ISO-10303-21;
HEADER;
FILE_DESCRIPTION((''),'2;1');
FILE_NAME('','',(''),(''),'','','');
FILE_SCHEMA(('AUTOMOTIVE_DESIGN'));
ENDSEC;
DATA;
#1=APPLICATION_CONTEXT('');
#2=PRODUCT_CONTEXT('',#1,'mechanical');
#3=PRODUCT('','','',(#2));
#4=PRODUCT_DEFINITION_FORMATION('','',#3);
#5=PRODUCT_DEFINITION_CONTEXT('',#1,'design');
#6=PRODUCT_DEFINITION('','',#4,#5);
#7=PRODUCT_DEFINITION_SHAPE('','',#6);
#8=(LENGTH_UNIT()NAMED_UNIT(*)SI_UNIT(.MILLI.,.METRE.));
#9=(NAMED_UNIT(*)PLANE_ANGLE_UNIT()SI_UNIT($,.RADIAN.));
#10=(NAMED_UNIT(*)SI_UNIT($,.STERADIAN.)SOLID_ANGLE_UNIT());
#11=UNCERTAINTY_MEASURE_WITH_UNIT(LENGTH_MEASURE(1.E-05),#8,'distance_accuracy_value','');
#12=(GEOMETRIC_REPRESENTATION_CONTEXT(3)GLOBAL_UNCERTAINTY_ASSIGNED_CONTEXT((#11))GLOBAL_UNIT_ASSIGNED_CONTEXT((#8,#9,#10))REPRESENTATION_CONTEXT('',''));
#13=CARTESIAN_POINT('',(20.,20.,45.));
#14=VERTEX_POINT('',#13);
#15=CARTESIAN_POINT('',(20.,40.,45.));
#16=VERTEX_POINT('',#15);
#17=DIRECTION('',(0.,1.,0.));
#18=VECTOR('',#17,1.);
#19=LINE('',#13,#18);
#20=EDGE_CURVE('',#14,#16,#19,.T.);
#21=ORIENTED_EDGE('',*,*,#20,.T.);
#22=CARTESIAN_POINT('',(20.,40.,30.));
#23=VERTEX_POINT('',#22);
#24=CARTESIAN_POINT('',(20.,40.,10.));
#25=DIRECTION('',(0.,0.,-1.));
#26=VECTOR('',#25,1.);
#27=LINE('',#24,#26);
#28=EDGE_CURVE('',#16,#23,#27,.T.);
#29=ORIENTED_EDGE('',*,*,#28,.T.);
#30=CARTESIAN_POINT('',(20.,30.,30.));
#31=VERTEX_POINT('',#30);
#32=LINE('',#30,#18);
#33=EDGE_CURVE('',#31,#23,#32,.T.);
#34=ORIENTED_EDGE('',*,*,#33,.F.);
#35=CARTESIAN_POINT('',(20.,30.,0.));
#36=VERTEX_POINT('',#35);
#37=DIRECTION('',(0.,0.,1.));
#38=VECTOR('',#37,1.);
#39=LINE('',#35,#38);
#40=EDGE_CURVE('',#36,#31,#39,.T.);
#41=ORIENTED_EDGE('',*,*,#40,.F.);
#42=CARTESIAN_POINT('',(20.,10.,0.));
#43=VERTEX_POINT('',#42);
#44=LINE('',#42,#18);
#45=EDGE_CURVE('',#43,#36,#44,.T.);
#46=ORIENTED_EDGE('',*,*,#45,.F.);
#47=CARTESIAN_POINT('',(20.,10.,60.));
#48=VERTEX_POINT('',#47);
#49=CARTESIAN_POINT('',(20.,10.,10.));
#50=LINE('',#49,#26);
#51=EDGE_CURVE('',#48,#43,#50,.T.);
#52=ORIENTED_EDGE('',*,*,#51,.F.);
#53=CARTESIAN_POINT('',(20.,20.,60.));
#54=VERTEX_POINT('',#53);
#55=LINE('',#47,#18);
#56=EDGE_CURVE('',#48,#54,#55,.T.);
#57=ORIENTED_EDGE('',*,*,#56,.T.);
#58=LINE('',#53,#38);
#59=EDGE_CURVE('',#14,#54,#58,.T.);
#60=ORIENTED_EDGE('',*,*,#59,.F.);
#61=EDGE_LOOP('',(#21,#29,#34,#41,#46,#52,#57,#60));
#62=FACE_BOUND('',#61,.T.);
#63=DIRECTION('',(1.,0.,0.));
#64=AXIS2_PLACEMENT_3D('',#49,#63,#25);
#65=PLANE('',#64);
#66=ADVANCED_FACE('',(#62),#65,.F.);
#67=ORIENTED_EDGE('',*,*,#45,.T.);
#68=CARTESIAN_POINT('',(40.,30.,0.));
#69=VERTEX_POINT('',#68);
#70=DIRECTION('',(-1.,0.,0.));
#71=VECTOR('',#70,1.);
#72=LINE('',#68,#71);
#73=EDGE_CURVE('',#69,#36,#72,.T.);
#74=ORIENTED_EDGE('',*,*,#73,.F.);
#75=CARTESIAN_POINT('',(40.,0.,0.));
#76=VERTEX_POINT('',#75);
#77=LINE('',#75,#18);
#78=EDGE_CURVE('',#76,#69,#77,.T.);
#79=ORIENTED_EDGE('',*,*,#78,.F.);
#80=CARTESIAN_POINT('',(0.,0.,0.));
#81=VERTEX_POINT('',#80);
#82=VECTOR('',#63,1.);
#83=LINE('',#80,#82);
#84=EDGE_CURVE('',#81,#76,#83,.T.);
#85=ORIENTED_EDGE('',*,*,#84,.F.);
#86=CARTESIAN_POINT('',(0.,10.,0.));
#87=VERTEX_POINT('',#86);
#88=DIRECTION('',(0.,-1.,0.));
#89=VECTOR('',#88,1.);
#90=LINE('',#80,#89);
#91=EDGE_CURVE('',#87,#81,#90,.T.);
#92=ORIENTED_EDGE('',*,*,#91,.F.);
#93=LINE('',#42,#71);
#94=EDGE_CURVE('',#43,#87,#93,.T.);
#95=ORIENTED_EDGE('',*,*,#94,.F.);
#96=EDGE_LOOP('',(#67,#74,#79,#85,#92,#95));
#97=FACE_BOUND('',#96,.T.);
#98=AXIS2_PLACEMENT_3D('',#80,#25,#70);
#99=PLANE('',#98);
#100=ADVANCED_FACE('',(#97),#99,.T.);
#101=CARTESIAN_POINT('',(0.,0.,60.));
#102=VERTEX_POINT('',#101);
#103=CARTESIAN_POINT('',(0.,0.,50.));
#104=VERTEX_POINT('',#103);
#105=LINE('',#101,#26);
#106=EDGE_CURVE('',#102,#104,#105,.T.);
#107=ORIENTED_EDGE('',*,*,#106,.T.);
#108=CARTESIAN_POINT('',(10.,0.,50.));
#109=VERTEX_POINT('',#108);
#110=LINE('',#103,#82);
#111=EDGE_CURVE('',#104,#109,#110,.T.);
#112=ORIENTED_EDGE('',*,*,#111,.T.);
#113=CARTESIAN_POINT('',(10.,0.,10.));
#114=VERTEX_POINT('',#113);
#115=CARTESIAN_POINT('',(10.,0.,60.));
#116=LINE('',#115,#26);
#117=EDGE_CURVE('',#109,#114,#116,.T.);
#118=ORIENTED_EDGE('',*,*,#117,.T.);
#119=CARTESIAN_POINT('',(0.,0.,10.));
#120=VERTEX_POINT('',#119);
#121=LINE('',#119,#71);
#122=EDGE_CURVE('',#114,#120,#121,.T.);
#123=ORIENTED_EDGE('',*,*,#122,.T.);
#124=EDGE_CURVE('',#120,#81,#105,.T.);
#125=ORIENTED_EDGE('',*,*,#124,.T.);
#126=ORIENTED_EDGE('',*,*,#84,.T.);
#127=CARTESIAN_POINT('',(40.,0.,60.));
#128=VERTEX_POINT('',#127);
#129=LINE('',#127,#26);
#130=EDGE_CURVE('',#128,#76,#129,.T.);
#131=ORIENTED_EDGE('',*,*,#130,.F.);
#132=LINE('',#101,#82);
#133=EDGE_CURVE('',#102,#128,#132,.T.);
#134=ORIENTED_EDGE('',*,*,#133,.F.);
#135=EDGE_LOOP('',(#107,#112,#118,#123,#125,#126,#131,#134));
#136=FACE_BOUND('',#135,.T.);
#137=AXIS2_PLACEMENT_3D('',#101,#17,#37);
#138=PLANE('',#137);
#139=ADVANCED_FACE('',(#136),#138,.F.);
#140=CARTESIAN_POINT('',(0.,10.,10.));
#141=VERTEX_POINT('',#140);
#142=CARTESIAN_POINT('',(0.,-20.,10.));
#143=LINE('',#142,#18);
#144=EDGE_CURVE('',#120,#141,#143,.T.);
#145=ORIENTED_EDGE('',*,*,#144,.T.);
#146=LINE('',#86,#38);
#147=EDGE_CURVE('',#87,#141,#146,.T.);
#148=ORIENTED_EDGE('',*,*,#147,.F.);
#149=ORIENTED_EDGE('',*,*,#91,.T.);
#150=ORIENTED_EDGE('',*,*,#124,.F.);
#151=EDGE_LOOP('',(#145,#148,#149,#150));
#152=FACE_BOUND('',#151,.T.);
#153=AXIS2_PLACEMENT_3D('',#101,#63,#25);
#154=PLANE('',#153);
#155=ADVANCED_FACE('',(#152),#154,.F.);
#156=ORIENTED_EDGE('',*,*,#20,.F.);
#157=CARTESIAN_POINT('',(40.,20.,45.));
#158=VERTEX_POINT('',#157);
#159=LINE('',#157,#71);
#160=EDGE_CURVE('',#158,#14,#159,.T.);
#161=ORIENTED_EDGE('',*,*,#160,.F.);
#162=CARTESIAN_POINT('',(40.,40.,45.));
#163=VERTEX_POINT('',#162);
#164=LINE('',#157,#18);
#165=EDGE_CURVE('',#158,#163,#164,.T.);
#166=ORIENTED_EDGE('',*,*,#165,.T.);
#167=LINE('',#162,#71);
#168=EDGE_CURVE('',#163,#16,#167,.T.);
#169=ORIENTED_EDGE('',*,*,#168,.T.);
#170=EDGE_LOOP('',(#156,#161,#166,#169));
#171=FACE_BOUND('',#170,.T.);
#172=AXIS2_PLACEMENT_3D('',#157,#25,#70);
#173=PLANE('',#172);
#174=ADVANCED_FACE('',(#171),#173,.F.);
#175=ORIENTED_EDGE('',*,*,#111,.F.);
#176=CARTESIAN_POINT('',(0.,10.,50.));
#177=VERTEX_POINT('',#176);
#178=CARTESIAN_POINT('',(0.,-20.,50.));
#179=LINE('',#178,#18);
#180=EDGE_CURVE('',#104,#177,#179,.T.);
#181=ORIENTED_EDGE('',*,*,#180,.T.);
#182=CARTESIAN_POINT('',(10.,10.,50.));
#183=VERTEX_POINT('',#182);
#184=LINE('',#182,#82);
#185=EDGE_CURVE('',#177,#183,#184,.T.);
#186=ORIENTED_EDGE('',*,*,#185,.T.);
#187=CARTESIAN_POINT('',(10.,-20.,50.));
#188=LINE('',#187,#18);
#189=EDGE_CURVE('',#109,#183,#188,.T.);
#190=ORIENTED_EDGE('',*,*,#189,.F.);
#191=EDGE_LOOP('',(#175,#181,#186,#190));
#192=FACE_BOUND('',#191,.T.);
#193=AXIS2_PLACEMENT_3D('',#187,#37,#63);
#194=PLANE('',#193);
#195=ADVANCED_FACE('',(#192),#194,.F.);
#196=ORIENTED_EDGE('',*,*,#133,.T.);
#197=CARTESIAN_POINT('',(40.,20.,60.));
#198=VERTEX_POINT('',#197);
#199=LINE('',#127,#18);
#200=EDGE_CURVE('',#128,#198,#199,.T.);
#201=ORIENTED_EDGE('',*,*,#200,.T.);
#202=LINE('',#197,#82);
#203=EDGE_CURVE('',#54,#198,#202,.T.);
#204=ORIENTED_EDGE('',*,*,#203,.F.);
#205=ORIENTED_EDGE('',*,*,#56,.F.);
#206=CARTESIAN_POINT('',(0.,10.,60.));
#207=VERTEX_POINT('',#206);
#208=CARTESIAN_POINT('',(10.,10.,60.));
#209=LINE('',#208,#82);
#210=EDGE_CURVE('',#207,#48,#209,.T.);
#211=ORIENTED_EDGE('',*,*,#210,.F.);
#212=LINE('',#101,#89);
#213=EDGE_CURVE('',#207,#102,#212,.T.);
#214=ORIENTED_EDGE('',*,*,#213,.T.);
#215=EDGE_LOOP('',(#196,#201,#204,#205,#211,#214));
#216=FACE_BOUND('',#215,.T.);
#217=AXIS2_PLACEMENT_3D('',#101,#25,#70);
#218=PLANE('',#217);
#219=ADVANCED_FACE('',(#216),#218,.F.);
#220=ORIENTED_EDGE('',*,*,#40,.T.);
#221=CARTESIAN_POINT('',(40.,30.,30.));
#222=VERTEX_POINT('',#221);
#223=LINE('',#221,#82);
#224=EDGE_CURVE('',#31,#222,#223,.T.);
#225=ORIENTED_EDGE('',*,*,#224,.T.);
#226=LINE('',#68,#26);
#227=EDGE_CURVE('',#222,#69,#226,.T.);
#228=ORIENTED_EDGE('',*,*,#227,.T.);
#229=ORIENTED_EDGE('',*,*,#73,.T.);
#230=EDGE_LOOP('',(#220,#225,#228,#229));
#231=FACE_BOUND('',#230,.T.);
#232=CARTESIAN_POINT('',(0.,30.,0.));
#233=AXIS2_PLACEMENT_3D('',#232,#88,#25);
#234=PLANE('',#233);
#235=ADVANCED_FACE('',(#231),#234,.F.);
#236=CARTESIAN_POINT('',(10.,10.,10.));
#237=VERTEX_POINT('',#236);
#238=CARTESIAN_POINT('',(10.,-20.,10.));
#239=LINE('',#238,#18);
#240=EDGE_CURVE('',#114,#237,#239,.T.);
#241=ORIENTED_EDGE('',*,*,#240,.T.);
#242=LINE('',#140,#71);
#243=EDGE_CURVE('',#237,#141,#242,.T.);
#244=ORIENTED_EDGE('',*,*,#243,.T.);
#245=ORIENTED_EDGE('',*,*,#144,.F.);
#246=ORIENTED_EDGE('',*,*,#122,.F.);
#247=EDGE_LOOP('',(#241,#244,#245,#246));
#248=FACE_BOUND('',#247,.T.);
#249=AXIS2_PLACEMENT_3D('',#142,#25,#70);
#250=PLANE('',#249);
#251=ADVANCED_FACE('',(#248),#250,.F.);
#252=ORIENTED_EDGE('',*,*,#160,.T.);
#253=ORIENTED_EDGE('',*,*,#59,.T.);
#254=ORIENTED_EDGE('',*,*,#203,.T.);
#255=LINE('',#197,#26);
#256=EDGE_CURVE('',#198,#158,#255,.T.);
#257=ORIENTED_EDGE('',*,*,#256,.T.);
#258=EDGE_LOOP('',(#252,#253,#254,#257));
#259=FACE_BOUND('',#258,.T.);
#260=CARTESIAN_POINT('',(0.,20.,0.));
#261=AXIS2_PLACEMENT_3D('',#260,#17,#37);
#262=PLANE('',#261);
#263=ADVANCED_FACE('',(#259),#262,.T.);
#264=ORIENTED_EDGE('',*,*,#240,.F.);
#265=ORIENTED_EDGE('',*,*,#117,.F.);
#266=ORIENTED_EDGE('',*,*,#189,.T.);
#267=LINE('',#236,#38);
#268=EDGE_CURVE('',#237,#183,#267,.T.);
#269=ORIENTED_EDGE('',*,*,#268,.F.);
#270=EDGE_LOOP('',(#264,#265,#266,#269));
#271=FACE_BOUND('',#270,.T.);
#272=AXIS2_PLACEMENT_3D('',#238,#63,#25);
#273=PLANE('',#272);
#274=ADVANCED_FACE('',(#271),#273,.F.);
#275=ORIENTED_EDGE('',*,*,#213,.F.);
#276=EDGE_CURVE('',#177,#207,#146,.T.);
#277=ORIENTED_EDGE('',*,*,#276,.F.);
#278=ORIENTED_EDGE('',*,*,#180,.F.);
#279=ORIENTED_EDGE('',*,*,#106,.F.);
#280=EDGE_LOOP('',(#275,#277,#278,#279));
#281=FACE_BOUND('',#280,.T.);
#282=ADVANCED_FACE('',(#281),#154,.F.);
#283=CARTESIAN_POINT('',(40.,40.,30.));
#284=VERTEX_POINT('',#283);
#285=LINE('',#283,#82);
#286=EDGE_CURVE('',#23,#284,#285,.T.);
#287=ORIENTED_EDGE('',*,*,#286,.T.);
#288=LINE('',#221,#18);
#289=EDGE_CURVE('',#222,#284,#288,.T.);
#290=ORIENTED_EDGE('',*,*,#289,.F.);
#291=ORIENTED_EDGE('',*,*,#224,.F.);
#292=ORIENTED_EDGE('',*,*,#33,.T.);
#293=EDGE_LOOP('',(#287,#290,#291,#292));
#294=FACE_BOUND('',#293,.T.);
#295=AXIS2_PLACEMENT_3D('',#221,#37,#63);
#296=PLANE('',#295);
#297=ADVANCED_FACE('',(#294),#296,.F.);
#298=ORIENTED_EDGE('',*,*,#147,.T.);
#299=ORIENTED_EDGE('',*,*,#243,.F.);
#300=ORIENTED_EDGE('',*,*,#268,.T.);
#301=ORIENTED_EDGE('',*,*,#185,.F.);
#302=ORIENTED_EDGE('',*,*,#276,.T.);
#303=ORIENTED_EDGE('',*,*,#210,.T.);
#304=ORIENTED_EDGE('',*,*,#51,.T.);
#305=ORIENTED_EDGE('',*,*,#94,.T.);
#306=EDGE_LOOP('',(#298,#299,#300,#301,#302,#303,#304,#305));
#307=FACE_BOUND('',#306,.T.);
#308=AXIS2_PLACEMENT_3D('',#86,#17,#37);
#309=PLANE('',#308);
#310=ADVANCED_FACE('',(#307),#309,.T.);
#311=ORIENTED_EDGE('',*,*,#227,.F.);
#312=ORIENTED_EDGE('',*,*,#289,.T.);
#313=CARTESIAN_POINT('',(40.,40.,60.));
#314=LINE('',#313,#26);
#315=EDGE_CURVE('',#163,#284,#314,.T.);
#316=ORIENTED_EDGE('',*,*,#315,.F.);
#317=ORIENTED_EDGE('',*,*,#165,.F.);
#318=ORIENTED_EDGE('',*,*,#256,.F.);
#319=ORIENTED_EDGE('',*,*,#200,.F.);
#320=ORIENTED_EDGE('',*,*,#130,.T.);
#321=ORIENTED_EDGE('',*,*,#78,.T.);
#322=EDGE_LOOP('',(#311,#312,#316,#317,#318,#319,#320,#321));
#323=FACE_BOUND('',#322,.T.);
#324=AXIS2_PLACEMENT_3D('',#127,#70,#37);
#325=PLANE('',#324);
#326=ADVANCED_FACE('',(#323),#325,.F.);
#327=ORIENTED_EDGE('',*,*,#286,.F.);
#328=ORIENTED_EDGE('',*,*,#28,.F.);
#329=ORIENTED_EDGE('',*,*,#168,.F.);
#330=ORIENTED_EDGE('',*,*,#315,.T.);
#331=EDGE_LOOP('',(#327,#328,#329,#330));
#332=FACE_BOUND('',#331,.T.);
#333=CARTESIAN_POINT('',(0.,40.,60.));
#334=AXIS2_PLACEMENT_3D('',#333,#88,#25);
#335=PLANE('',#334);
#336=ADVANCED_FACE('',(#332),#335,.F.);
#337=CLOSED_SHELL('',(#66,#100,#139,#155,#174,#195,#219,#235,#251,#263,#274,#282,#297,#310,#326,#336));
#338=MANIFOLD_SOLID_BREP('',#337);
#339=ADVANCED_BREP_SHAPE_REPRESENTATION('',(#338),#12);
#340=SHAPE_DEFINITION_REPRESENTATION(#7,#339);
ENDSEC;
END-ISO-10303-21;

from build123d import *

# Parameters (mm, degrees)
SKETCH1_W           = 40
SKETCH1_H           = 40
BOSS_EXTRUDE1_DEPTH = 60
SKETCH3_W           = 10
SKETCH3_H           = 40
CUT_EXTRUDE1_DEPTH  = 60
CUT_EXTRUDE2_DEPTH  = 30
SKETCH5_W           = 10
SKETCH5_H           = 60
CUT_EXTRUDE3_DEPTH  = 30
SKETCH6_W           = 20
SKETCH6_H           = 30
CUT_EXTRUDE4_DEPTH  = 10
SKETCH7_W           = 20
SKETCH7_H           = 15
CUT_EXTRUDE5_DEPTH  = 20


with BuildPart() as part:
    # Sketch1 → Boss-Extrude1 (new body)
    with BuildSketch(Plane.XY):
        with Locations((20, 20)):
            Rectangle(SKETCH1_W, SKETCH1_H)
    extrude(amount=BOSS_EXTRUDE1_DEPTH)

    # Sketch3 → Cut-Extrude1 (cut)
    with BuildSketch(Plane(origin=(0, 40, 0), x_dir=(1, 0, 0), z_dir=(0, 1, 0))):
        with Locations((5, -30)):
            Rectangle(SKETCH3_W, SKETCH3_H)
    extrude(amount=-CUT_EXTRUDE1_DEPTH, mode=Mode.SUBTRACT)

    # Sketch4 → Cut-Extrude2 (cut)
    with BuildSketch(Plane(origin=(0, 40, 0), x_dir=(1, 0, 0), z_dir=(0, 1, 0))):
        Polygon((10, -10), (10, -60), (20, -60), (20, -10), (20, 0), (10, 0), align=None)
    extrude(amount=-CUT_EXTRUDE2_DEPTH, mode=Mode.SUBTRACT)

    # Sketch5 → Cut-Extrude3 (cut)
    with BuildSketch(Plane(origin=(0, 40, 0), x_dir=(1, 0, 0), z_dir=(0, 1, 0))):
        with Locations((5, -30)):
            Rectangle(SKETCH5_W, SKETCH5_H)
    extrude(amount=-CUT_EXTRUDE3_DEPTH, mode=Mode.SUBTRACT)

    # Sketch6 → Cut-Extrude4 (cut)
    with BuildSketch(Plane(origin=(0, 40, 0), x_dir=(1, 0, 0), z_dir=(0, 1, 0))):
        with Locations((30, -15)):
            Rectangle(SKETCH6_W, SKETCH6_H)
    extrude(amount=-CUT_EXTRUDE4_DEPTH, mode=Mode.SUBTRACT)

    # Sketch7 → Cut-Extrude5 (cut)
    with BuildSketch(Plane(origin=(0, 40, 0), x_dir=(1, 0, 0), z_dir=(0, 1, 0))):
        with Locations((30, -52.5)):
            Rectangle(SKETCH7_W, SKETCH7_H)
    extrude(amount=-CUT_EXTRUDE5_DEPTH, mode=Mode.SUBTRACT)


solid = part.part
